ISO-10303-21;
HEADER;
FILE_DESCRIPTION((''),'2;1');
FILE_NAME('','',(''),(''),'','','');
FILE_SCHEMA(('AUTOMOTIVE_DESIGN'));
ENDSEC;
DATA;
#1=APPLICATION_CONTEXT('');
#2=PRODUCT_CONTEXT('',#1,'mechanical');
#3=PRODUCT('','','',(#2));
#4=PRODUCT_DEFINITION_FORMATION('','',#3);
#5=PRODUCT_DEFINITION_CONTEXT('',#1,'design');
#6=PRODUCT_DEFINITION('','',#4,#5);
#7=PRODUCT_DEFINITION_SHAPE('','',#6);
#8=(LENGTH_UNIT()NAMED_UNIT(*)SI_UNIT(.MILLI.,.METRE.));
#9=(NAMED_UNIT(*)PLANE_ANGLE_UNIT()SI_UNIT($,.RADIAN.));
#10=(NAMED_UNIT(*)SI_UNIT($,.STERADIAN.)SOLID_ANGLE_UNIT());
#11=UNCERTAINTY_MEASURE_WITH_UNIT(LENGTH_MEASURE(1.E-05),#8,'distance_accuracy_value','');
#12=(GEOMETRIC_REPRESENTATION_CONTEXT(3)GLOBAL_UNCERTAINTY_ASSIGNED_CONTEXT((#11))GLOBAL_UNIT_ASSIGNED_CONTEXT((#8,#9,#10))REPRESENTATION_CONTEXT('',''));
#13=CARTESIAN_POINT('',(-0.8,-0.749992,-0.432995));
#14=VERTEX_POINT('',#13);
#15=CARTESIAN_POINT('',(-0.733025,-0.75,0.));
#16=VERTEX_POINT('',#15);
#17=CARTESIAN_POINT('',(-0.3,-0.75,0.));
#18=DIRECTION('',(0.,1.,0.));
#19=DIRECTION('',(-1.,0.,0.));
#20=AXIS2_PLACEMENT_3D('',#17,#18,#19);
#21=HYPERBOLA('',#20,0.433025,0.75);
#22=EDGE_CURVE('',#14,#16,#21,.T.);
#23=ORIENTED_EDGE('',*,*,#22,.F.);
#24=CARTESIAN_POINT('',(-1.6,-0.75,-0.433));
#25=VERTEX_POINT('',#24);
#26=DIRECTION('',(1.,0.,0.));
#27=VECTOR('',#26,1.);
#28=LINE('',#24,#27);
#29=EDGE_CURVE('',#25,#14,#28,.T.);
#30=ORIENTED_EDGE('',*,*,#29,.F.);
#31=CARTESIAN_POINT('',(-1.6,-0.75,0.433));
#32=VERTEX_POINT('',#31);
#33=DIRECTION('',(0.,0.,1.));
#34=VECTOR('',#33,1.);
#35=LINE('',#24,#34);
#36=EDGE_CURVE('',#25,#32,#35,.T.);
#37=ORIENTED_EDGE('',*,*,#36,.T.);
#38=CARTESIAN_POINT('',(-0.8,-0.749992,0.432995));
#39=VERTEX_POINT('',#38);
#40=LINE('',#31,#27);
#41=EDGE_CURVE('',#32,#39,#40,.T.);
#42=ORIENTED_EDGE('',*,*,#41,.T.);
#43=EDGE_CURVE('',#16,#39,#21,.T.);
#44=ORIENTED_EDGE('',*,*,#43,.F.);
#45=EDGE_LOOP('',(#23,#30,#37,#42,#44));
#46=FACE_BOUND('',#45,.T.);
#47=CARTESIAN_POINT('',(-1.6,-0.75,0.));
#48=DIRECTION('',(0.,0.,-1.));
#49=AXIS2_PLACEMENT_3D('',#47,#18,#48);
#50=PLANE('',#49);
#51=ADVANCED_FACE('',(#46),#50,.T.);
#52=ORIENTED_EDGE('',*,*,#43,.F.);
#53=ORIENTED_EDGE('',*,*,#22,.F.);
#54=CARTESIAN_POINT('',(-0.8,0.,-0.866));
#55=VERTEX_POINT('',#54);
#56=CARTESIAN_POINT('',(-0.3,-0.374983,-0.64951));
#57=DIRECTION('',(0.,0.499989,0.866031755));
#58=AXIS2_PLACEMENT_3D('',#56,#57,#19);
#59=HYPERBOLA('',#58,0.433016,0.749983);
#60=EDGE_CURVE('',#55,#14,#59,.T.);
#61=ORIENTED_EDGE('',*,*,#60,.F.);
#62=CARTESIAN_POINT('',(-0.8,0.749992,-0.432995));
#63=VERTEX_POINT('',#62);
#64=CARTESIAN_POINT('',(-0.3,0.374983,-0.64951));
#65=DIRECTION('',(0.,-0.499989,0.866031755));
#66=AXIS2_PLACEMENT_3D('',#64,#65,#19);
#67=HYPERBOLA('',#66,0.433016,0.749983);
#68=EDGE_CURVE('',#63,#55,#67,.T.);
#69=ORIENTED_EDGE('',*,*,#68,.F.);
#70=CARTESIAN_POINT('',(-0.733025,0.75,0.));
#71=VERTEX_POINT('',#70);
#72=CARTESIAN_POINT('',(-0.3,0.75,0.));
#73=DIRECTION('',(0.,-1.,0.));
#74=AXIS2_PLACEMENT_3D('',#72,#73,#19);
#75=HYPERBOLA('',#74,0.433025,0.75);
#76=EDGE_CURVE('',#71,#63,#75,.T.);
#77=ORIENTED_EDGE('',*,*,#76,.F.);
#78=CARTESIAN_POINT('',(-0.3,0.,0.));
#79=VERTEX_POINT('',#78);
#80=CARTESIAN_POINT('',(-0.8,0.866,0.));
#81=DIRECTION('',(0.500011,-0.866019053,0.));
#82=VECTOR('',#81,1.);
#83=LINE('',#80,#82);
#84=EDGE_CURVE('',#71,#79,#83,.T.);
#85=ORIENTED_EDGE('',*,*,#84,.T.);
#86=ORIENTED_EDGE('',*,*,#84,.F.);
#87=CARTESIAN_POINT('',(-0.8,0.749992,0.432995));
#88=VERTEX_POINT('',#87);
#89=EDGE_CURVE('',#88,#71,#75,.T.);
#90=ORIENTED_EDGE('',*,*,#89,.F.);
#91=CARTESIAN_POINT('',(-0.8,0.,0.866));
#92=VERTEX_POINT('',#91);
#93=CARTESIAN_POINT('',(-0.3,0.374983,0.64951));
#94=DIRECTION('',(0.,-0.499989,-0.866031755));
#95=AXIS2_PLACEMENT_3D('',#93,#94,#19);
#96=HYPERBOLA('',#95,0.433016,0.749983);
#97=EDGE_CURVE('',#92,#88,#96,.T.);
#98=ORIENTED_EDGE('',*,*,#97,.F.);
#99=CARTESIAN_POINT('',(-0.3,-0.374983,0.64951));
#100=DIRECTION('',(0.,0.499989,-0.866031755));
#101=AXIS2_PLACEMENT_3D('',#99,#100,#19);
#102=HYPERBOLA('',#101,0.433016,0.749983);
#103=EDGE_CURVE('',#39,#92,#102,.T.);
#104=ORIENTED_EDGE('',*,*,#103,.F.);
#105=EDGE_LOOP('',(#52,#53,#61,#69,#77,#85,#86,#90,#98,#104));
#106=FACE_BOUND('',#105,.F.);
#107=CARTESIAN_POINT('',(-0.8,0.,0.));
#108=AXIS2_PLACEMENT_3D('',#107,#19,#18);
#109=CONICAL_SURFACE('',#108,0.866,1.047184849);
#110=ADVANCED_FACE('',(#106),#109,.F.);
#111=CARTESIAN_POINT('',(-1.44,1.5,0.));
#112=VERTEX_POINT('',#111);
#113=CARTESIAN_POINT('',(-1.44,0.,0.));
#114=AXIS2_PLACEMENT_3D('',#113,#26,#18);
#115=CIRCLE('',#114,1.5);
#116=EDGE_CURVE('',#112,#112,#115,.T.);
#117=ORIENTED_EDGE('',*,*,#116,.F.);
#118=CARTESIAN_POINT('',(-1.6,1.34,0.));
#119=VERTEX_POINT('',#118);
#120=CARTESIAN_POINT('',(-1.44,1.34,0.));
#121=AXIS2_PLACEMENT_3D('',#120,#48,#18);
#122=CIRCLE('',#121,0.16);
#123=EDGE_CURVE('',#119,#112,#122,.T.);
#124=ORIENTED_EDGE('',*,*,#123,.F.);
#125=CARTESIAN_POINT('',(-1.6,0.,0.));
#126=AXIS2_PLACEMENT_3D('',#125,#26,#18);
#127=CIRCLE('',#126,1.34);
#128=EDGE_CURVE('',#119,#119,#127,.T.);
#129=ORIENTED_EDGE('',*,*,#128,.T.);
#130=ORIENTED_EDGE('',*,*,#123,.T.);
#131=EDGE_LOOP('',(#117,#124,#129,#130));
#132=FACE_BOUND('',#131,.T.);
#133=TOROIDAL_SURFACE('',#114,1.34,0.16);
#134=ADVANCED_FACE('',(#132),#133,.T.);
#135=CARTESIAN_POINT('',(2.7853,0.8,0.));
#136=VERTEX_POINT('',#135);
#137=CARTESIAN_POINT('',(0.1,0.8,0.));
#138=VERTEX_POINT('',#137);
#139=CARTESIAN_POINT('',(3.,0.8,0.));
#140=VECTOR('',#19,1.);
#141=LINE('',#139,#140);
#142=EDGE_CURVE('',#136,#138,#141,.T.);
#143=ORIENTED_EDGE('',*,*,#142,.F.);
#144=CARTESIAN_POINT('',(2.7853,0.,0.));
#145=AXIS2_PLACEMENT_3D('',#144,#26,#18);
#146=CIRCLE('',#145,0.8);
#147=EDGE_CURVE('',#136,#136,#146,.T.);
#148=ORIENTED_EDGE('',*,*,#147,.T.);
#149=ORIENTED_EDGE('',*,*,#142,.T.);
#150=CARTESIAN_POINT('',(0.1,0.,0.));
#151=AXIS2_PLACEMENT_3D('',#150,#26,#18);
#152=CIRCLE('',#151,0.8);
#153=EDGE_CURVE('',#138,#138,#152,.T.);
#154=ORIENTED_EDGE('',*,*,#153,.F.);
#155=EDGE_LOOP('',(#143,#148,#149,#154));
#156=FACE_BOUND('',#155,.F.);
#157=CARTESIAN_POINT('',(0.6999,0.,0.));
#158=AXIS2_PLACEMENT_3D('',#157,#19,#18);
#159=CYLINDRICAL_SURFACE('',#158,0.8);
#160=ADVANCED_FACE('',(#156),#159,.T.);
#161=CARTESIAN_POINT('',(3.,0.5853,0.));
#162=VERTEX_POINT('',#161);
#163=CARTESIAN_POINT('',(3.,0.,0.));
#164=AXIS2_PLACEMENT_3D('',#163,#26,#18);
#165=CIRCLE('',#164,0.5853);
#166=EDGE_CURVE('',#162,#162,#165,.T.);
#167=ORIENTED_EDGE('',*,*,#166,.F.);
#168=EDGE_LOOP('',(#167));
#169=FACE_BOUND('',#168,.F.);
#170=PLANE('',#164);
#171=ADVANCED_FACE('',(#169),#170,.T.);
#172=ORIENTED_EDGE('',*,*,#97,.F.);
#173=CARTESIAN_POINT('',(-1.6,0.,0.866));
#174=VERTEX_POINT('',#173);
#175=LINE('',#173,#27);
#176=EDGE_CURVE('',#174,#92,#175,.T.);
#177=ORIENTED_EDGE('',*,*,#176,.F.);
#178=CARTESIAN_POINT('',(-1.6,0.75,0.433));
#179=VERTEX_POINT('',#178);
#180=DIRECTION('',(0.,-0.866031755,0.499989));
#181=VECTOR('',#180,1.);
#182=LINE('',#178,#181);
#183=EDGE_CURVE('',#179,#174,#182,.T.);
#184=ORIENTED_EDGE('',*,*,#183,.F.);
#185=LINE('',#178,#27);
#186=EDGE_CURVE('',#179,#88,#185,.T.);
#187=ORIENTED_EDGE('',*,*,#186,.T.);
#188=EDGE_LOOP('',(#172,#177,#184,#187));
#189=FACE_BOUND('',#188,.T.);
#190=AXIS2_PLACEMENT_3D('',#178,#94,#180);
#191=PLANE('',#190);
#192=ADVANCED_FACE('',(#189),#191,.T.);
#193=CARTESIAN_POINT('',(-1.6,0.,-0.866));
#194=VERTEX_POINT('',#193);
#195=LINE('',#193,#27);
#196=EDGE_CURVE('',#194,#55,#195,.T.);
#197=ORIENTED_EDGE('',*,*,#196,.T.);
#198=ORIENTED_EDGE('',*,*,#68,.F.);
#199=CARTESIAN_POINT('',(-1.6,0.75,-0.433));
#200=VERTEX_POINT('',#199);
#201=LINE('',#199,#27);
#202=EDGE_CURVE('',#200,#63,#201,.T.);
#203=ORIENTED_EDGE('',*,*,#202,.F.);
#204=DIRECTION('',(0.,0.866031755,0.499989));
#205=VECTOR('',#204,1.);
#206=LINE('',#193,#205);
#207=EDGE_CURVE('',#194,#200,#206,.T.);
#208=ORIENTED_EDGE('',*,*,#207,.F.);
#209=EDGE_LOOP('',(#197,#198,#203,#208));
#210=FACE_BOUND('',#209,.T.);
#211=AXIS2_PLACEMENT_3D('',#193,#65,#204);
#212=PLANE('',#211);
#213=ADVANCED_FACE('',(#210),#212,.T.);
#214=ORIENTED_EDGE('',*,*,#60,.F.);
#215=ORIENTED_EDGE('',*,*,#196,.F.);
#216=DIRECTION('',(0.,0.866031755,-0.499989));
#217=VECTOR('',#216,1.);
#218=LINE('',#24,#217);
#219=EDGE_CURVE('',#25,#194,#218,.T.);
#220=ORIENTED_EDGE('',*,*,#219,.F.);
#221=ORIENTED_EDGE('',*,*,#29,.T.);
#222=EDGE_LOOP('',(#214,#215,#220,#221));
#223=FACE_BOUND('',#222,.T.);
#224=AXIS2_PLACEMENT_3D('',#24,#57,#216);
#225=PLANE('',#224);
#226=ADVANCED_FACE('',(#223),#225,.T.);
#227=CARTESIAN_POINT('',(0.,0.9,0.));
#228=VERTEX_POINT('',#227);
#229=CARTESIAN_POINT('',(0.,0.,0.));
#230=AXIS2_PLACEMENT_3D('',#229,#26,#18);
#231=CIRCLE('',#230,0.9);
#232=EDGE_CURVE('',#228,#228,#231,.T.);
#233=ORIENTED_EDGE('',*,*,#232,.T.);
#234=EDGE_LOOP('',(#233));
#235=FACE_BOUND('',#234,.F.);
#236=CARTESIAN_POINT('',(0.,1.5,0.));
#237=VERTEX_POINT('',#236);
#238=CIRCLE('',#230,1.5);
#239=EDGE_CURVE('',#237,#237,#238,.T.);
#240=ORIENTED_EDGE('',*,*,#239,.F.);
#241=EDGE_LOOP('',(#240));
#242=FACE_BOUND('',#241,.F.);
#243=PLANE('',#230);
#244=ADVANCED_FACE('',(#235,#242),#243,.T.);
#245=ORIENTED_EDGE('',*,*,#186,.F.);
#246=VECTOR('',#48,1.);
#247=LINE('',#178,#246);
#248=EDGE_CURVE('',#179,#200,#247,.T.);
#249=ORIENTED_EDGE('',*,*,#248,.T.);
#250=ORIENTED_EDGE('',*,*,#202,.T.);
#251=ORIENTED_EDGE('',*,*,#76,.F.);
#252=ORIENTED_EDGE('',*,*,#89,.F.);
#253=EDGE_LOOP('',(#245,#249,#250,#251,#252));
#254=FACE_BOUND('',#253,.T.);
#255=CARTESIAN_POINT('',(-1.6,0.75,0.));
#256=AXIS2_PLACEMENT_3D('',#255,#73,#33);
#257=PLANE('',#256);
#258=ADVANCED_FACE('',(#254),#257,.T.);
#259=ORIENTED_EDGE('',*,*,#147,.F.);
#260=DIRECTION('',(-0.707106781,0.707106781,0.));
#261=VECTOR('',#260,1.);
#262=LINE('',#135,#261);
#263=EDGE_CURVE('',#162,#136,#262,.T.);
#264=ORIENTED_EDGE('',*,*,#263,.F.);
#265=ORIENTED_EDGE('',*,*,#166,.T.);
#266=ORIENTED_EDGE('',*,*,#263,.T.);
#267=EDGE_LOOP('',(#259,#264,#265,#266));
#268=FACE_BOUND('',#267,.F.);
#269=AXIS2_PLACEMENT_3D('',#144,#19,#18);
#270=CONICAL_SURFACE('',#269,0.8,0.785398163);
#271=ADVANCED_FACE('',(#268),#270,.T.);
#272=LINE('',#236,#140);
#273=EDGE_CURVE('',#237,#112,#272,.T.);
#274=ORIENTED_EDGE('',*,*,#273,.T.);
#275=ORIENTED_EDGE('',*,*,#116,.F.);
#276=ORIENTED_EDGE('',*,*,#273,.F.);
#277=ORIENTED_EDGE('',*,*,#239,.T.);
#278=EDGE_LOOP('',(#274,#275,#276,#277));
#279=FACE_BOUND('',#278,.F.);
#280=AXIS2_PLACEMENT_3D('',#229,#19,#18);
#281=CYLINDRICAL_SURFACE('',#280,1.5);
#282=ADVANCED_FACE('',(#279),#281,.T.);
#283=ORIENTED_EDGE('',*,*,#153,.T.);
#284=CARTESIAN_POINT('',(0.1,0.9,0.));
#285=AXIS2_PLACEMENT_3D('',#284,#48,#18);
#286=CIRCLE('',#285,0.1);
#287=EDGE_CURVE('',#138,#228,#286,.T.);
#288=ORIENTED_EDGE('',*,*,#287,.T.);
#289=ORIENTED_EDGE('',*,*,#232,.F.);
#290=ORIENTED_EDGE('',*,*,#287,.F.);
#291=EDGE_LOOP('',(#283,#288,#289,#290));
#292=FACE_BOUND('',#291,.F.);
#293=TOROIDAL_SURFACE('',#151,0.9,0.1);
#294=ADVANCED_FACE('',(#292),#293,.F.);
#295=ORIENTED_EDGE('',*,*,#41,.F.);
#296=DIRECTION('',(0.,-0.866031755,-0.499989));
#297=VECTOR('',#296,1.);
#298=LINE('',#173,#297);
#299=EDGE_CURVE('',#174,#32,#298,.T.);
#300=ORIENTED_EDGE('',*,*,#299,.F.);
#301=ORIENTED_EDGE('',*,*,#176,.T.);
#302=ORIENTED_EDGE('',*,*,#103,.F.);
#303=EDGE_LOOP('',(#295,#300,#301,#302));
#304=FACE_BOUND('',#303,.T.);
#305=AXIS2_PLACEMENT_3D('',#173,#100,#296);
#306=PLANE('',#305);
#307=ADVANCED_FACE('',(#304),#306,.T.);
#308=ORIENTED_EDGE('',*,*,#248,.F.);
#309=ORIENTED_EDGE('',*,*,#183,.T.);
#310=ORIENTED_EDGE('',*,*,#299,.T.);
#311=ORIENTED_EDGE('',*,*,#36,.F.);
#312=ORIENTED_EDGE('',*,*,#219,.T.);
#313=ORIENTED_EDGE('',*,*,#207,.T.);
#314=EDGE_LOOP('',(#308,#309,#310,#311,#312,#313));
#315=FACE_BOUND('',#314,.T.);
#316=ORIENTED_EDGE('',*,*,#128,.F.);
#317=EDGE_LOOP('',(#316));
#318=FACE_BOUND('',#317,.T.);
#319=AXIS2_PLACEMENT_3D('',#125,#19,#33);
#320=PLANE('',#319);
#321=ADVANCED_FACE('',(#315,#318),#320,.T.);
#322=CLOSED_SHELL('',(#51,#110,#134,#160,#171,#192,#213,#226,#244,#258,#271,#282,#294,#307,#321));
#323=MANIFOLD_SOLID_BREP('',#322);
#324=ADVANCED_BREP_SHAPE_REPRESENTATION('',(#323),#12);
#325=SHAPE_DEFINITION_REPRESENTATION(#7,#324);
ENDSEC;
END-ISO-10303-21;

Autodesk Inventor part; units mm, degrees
ref_plane "YZ Plane" through (0, 0, 0) normal (1, 0, 0) x (0, 1, 0)
ref_plane "XZ Plane" through (0, 0, 0) normal (0, 1, 0) x (-1, 0, 0)
sketch "Sketch1" plane through (0, 0, 0) normal (0, 0, 1) x (1, 0, 0)
  line L0 (-0.3, 0) -> (3, 0)
  line L1 (3, 0) -> (3, 0.8)
  line L2 (3, 0.8) -> (0.9147, 0.8)
  line L3 (0.9147, 0.8) -> (0.6999, 0.8)
  line L4 (0.6999, 0.8) -> (0, 0.8)
  line L5 (0, 0.8) -> (0, 1.5)
  line L6 (0, 1.5) -> (-1.6, 1.5)
  line L7 (-1.6, 1.5) -> (-1.6, 0.866)
  line L8 (-1.6, 0.866) -> (-0.8, 0.866)
  line L9 (-0.8, 0.866) -> (-0.3, 0)
  line L10 (-2.52, 0) -> (3.92, 0) projected
  line L11 (0, -0.3) -> (0, 1.8) projected
  line L12 (0.9147, 0.8) -> (0, 0.8) construction
  dimension "d1" = 2.0853
  dimension "d2" = 0.2148
  dimension "d3" = 1.6
  dimension "d4" = 0.8
  dimension "d5" = 60
  dimension "d6" = 1.6
  dimension "d7" = 1.6
  dimension "d8" = 1.7321
  dimension "d9" = 3
  dimension "d26" = 3
revolve "Body" add sketch "Sketch1" angle 360 about axis through (-0.3, 0, 0) along (1, 0, 0)
sketch "Sketch2" plane through (-1.6, 0, 0) normal (-1, 0, 0) x (0, 0, 1)
  circle A0 centre (0, 0) radius 0.866 projected
  line L0 (0, -2.1) -> (0, 2.1) projected
  line L1 (-2.1, 0) -> (2.1, 0) projected
  line L2 (0.866, 0) -> (0.433, -0.75)
  line L3 (0.433, -0.75) -> (-0.433, -0.75)
  line L4 (-0.433, -0.75) -> (-0.866, 0)
  line L5 (-0.866, 0) -> (-0.433, 0.75)
  line L6 (-0.433, 0.75) -> (0.433, 0.75)
  line L7 (0.433, 0.75) -> (0.866, 0)
extrude "Slot" add sketch "Sketch2" against normal up to next contours L7 A0 | A0 L2 | L6 L0 A0 | A0 L0 L3 | L0 L6 A0 | A0 L3 L0 | L4 A0 | A0 L5
fillet "Fillet1" radius 0.16 1 edges at (-1.6, -1.5, 0)
thread "Thread" size "M1.6x0.35" class "6g" standard "ISO Metric profile" length 2.0853
chamfer "Chamfer1" distance 0.2147 distance2 0.2147 1 edges at (3, -0.8, 0) measured on face at (3, 0.2361, -0.1239)
ref_plane "Work Plane1" through (29, 0, 0) normal (0, -1, 0) x (1, 0, 0)
fillet "Fillet2" radius 0.1 1 edges at (0, -0.8, 0)
equation "\"d30\" = R"
equation "\"d17\" = RR"
equation "\"d13\" = GEL"
equation "\"d15\" = -0.5 * SPD + 0.5 * GD"
equation "\"d16\" = GUL"
equation "\"d1\" = GEL"
equation "\"d3\" = KOH"
equation "\"d4\" = INTI"
equation "\"d6\" = GD"
equation "\"d7\" = BDM"
equation "\"d8\" = 1.1547 * SW"
equation "\"d9\" = KOD"
equation "\"d26\" = NLG"
equation "\"GD\" = NND"
equation "\"NLG\" = 3"
equation "\"GEL\" = 2.08529"
equation "\"KOD\" = 3"
equation "\"KOH\" = 1.6"
equation "\"INTI\" = 0.8"
equation "\"GAL\" = 0.61345 * PTC"
equation "\"GUL\" = 0.61345 * PTC"
equation "\"BDM\" = NND"
equation "\"SW\" = 1.5"
equation "\"RR\" = 0.16"
equation "\"SPD\" = 1.17058"
equation "\"R\" = 0.1"
equation "\"TOA\" = 30deg"
equation "\"THREADDIA\" = 1.6"
equation "\"PTC\" = 0.35"
equation "\"NND\" = 1.6"
equation "\"E0\" = 1.155 * SW"
equation "\"GD1\" = THREADDIA - 1.2269 * PTC"
properties part number "ANSI B18.3.1M - M1.6x0.35 x 3" material "Steel, Mild"
